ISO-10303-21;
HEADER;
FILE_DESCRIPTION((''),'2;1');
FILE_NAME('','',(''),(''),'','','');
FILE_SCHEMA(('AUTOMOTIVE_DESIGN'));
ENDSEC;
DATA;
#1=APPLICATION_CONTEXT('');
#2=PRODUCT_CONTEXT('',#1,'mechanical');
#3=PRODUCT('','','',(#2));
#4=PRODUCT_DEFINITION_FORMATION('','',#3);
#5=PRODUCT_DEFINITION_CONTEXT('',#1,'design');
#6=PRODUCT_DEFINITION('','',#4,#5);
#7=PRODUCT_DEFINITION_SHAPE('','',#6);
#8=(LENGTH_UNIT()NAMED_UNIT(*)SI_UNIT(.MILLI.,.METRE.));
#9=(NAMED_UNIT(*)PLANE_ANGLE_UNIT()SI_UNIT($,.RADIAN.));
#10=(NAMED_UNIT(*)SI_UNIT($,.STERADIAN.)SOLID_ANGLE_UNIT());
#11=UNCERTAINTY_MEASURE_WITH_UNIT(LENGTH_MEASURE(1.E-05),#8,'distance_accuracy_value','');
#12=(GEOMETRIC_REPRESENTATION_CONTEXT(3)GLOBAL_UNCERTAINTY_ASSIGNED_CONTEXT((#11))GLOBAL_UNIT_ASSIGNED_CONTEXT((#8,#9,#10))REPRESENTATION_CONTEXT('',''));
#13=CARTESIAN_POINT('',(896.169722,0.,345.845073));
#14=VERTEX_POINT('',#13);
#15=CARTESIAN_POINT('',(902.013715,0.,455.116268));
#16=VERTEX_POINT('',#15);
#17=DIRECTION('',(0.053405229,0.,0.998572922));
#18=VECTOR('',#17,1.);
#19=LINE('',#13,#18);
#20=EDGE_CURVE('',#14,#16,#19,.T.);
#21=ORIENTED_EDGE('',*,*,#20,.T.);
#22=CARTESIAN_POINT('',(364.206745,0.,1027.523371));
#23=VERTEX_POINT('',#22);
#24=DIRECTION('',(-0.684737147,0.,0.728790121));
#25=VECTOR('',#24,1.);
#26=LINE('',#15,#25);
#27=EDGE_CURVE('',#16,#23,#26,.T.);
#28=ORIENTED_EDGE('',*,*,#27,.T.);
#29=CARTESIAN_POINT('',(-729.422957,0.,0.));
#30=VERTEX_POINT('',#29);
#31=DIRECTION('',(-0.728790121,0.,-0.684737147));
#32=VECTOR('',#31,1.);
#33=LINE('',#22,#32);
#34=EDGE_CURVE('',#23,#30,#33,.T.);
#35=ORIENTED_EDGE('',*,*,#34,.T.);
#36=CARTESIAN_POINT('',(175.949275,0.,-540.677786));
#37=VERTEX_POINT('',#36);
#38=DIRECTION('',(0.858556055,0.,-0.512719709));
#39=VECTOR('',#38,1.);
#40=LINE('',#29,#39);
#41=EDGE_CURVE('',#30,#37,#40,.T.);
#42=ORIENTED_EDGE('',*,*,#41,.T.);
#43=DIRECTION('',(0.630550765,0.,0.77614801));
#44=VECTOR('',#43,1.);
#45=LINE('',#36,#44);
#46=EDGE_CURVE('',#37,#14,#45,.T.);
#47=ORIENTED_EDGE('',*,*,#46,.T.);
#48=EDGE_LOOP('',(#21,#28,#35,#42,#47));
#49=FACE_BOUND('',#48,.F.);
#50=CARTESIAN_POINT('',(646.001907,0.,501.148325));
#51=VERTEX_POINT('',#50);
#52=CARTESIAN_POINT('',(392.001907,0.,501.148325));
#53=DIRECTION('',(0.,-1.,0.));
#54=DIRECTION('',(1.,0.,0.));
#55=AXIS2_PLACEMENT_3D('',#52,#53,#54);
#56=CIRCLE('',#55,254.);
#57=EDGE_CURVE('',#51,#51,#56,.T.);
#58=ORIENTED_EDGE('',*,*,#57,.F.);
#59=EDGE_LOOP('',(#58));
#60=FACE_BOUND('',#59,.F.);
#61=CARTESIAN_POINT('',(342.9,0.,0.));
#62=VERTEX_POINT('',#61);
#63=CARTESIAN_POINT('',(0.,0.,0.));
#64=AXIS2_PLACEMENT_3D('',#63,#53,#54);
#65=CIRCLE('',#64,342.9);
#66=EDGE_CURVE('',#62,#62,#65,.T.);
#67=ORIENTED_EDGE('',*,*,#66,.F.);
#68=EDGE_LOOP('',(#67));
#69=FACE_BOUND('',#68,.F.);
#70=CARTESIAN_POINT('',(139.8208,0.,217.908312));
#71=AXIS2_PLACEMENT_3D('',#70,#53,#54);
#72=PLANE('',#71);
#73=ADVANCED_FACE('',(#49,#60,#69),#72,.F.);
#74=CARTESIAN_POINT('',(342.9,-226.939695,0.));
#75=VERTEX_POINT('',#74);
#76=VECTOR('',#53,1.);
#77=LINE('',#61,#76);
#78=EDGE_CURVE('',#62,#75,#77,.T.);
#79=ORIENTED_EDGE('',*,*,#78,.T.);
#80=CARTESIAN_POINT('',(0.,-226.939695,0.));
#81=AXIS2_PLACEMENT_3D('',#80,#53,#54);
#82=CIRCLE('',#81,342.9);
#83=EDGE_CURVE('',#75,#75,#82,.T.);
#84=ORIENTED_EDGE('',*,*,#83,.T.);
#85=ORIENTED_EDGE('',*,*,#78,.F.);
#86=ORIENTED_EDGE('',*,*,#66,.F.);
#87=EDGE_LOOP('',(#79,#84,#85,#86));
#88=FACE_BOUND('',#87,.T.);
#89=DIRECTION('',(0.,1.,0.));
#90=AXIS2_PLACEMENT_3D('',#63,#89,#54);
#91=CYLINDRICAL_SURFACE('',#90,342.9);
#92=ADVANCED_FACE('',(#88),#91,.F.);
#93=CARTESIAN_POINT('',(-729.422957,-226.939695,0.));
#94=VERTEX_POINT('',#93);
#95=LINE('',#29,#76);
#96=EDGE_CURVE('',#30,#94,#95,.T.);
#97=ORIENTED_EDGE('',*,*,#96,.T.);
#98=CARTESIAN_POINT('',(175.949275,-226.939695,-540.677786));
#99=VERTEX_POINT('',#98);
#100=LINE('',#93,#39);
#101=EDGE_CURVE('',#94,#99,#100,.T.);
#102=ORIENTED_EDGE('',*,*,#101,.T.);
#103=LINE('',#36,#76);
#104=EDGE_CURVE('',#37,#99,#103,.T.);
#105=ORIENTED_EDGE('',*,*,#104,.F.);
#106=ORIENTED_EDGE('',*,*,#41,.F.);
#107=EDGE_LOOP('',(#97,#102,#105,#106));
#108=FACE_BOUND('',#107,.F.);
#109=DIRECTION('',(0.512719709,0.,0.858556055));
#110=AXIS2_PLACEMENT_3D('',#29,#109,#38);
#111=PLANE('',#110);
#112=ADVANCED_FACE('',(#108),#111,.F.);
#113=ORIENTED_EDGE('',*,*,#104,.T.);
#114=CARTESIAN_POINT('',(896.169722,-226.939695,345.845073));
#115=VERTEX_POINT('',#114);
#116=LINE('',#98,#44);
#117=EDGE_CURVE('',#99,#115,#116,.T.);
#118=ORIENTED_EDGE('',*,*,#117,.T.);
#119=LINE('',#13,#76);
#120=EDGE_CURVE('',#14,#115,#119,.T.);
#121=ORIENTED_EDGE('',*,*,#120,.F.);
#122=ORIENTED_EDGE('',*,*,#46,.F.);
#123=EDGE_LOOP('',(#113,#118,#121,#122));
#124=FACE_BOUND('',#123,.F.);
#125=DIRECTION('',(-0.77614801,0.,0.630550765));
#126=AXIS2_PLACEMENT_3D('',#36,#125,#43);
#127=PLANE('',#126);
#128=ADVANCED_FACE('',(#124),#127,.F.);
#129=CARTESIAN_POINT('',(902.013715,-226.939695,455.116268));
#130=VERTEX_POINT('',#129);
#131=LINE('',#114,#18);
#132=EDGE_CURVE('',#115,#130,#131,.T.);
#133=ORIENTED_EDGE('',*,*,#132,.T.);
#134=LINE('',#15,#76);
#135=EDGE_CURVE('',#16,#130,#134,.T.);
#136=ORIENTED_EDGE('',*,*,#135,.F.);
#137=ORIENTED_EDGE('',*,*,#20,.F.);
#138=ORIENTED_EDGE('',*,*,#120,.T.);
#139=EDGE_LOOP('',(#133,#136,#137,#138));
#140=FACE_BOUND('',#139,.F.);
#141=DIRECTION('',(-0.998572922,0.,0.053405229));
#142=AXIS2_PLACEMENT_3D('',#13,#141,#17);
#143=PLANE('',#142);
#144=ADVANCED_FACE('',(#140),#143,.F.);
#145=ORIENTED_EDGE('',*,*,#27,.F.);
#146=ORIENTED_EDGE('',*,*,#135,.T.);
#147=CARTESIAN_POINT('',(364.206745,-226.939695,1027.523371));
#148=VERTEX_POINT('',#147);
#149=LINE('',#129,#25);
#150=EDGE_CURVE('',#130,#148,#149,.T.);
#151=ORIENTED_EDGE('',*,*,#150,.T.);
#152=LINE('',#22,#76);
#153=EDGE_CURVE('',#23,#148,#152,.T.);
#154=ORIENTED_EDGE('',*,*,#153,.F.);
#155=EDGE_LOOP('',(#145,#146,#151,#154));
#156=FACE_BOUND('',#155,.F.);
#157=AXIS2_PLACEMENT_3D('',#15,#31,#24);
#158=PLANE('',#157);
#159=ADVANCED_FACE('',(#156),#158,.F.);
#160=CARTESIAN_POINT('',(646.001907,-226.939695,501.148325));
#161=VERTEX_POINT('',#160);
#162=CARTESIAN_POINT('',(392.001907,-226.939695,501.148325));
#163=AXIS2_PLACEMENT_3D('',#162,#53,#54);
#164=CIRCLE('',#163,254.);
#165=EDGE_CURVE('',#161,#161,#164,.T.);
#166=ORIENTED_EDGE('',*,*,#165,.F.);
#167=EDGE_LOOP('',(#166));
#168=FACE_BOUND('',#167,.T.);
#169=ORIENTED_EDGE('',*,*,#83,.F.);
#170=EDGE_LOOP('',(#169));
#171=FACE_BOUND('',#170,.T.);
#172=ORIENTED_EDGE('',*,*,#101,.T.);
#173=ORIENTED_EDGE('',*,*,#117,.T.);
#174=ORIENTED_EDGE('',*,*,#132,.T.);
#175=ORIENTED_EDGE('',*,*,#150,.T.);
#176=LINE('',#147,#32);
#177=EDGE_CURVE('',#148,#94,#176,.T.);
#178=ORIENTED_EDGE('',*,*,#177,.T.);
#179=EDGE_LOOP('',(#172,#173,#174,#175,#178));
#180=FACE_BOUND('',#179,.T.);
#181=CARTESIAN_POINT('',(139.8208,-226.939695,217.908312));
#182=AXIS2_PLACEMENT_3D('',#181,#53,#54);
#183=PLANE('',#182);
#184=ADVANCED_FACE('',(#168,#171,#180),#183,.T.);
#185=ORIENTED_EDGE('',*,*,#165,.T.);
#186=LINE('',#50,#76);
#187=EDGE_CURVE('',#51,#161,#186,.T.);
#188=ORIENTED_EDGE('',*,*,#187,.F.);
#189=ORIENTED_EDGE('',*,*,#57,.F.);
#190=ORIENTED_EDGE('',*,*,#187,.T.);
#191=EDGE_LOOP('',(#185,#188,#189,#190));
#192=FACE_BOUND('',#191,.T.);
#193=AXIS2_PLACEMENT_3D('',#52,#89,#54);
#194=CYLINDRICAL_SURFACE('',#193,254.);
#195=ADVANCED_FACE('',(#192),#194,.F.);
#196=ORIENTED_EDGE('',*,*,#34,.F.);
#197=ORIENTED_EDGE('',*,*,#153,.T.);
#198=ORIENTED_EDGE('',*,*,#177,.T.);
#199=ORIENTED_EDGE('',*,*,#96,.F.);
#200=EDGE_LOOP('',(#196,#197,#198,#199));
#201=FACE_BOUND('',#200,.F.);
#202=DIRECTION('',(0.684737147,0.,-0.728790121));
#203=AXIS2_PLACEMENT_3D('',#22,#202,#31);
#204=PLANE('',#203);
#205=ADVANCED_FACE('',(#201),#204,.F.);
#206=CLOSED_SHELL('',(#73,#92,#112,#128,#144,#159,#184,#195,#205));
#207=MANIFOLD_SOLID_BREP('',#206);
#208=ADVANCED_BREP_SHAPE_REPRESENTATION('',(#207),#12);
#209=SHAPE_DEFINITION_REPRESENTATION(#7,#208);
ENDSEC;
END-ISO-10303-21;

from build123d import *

# Parameters (mm, degrees)
F0_R     = 342.9
F0_R_2   = 254
F1_DEPTH = 226.939695


with BuildPart() as f1:
    # F0 (on Front) → F1 (new body)
    with BuildSketch(Plane.XZ):
        Polygon((364.206745, 1027.523371), (-729.422957, 0), (175.949275, -540.677786), (896.169722, 345.845073), (902.013715, 455.116268), align=None)
        Circle(F0_R, mode=Mode.SUBTRACT)
        with Locations((392.001907, 501.148325)):
            Circle(F0_R_2, mode=Mode.SUBTRACT)
    extrude(amount=F1_DEPTH)


solid = f1.part
